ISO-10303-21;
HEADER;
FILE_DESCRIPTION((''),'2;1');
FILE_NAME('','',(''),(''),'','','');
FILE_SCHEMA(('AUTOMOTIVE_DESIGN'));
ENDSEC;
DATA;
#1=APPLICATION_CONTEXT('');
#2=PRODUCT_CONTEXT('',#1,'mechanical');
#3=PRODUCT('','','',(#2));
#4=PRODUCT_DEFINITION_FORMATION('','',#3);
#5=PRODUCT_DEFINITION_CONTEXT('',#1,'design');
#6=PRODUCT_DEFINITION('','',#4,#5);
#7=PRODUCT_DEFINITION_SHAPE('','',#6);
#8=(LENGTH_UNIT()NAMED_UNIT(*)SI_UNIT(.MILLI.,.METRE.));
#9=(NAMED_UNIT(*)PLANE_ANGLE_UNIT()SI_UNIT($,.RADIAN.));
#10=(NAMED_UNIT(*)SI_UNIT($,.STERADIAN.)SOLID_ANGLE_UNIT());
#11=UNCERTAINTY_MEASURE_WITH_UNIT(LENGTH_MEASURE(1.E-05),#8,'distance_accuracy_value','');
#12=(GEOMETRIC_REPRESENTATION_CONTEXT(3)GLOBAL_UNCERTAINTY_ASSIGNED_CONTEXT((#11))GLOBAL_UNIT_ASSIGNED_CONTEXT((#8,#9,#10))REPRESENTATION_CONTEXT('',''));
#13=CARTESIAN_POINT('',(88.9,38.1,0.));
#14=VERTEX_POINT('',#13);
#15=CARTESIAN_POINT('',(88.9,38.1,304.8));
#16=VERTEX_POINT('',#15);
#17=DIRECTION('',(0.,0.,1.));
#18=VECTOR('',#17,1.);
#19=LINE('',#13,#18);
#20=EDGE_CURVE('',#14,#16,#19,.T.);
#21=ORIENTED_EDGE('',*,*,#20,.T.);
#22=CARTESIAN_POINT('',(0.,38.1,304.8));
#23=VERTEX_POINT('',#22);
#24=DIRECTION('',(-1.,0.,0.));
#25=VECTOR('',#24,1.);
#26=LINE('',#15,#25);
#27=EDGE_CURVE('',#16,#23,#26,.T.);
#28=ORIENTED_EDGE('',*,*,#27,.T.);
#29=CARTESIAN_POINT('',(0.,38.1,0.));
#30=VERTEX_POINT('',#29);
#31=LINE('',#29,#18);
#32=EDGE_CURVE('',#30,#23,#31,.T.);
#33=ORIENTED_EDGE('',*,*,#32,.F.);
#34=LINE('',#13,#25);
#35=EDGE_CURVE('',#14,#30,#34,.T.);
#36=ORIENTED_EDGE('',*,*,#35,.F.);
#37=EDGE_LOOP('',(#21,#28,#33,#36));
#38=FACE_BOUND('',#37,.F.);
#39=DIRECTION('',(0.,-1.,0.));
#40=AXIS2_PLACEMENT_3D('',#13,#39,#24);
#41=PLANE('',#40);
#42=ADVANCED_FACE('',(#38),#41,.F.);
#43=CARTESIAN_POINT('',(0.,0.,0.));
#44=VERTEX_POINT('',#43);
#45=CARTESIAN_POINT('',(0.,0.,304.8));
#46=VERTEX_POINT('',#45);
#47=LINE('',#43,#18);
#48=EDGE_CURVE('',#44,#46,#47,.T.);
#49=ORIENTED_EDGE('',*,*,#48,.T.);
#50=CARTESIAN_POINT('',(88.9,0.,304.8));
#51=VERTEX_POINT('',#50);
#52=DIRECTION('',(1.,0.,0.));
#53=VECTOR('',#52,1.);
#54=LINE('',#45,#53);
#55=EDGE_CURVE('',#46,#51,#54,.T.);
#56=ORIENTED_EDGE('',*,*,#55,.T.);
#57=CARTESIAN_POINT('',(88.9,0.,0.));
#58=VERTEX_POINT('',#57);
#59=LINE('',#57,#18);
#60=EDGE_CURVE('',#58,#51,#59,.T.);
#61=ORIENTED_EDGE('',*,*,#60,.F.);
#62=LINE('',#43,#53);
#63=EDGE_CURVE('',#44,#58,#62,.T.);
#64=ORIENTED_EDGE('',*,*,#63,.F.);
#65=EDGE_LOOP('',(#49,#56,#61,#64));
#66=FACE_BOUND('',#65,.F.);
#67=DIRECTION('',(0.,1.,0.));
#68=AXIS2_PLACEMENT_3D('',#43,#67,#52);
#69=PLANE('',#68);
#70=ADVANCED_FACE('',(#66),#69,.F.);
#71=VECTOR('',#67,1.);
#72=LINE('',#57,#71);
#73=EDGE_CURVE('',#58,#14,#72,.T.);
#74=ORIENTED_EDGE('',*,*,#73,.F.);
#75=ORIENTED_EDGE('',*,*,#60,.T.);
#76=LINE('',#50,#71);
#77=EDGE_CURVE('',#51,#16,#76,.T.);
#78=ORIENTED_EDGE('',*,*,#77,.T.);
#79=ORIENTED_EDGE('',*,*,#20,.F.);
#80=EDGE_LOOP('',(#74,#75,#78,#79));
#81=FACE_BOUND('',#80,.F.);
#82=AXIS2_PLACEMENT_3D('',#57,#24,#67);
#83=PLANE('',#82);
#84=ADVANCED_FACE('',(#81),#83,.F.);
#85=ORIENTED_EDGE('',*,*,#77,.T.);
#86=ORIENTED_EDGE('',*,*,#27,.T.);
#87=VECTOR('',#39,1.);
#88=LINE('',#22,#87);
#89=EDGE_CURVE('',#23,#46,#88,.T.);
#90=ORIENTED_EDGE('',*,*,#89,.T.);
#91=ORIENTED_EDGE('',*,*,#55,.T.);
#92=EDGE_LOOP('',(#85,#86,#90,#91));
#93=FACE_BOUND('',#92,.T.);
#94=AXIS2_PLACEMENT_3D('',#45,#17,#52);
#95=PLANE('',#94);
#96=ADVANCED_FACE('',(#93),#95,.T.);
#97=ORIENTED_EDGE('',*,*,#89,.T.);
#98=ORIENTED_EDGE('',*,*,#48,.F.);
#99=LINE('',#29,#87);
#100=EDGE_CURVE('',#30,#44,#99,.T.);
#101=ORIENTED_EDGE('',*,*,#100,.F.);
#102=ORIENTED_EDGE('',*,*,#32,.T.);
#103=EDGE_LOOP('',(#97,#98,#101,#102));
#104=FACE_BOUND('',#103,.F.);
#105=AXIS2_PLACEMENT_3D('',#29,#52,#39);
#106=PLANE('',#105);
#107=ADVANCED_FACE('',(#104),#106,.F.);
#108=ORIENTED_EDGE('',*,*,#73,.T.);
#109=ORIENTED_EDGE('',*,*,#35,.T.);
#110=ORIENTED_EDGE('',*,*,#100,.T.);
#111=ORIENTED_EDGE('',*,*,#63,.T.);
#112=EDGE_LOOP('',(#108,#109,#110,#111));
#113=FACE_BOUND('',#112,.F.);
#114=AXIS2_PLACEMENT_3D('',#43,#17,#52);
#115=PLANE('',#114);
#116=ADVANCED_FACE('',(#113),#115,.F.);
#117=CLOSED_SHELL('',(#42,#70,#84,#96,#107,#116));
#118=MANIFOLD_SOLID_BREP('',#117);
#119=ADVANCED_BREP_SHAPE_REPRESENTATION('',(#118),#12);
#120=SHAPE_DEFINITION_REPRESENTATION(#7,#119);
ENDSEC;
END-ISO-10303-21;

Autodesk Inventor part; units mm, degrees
ref_plane "YZ Plane" through (0, 0, 0) normal (1, 0, 0) x (0, 1, 0)
ref_plane "XZ Plane" through (0, 0, 0) normal (0, 1, 0) x (-1, 0, 0)
ref_plane "XY Plane" through (0, 0, 0) normal (0, 0, 1) x (1, 0, 0)
sketch "Sketch1" plane through (0, 0, 0) normal (0, 0, 1) x (1, 0, 0)
  line L0 (0, 0) -> (88.9, 0)
  line L1 (88.9, 0) -> (88.9, 38.1)
  line L2 (88.9, 38.1) -> (0, 38.1)
  line L3 (0, 38.1) -> (0, 0)
  dimension "d0" = 88.9
  dimension "d1" = 38.1
extrude "Extrusion1" add sketch "Sketch1" along normal blind 304.8
properties part number "BA11" material "Wood (Oak)"
